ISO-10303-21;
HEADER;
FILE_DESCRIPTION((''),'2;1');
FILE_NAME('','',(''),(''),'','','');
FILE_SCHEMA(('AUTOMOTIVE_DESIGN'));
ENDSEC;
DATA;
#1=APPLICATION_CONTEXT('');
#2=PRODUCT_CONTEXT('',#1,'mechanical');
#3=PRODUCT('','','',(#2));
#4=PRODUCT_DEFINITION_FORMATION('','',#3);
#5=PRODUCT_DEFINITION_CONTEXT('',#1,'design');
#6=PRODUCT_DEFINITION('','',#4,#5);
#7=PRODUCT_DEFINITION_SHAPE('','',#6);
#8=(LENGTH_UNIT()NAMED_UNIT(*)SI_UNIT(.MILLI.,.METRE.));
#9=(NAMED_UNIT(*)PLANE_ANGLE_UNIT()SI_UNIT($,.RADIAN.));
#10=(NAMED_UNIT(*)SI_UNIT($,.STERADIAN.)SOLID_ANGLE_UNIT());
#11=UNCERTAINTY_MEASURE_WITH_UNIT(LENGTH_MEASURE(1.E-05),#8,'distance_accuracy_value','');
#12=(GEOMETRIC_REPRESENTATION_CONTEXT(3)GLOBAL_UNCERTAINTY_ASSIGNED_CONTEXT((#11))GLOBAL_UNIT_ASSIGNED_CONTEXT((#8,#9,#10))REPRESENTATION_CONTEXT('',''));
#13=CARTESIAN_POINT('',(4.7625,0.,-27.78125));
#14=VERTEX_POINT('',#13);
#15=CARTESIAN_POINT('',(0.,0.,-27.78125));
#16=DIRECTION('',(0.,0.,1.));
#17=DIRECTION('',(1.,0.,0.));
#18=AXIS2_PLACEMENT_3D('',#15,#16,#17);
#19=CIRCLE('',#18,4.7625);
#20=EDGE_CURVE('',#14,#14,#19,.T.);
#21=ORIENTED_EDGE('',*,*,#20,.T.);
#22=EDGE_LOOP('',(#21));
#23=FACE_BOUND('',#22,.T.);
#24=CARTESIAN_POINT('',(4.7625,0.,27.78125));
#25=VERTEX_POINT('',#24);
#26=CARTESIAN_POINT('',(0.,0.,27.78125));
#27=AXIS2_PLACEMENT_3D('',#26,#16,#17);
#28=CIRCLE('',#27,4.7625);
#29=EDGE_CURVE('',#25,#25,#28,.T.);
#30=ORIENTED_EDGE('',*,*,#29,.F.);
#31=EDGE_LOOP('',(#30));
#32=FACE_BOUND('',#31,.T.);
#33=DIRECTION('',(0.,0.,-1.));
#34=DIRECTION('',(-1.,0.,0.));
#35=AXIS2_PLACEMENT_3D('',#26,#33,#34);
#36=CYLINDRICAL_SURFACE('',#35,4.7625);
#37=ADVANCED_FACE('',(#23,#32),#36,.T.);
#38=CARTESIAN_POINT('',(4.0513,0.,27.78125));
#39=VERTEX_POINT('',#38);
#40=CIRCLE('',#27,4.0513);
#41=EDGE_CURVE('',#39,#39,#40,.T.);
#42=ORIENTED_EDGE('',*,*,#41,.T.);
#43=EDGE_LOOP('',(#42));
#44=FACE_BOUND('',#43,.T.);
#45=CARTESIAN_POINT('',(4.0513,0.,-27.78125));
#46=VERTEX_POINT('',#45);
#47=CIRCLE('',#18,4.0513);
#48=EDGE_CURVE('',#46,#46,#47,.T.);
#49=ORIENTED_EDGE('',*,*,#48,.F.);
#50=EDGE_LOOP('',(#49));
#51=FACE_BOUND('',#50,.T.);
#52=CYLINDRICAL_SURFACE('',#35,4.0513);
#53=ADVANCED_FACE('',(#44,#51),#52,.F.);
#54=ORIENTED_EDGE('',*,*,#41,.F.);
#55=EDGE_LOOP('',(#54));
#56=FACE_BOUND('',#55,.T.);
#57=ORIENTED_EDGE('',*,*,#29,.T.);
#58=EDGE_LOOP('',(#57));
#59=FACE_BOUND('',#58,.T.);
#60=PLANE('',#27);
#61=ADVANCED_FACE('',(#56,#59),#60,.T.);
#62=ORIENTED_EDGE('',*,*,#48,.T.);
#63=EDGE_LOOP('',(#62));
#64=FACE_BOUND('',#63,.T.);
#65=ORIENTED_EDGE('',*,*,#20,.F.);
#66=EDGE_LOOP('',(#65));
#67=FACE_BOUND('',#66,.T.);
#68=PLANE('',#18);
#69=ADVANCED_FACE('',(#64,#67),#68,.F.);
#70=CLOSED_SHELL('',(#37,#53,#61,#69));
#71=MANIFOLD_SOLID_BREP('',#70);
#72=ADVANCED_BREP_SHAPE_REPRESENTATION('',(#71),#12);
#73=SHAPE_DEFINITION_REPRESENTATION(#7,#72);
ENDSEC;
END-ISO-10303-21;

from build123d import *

# Parameters (mm, degrees)
SKETCH1_R      = 4.7625
SKETCH1_R_2    = 4.0513
EXTRUDE1_DEPTH = 27.78125


with BuildPart() as part:
    # Sketch1 → Extrude1 (new body, symmetric)
    with BuildSketch(Plane.XY):
        Circle(SKETCH1_R)
        Circle(SKETCH1_R_2, mode=Mode.SUBTRACT)
    extrude(amount=EXTRUDE1_DEPTH, both=True)


solid = part.part
